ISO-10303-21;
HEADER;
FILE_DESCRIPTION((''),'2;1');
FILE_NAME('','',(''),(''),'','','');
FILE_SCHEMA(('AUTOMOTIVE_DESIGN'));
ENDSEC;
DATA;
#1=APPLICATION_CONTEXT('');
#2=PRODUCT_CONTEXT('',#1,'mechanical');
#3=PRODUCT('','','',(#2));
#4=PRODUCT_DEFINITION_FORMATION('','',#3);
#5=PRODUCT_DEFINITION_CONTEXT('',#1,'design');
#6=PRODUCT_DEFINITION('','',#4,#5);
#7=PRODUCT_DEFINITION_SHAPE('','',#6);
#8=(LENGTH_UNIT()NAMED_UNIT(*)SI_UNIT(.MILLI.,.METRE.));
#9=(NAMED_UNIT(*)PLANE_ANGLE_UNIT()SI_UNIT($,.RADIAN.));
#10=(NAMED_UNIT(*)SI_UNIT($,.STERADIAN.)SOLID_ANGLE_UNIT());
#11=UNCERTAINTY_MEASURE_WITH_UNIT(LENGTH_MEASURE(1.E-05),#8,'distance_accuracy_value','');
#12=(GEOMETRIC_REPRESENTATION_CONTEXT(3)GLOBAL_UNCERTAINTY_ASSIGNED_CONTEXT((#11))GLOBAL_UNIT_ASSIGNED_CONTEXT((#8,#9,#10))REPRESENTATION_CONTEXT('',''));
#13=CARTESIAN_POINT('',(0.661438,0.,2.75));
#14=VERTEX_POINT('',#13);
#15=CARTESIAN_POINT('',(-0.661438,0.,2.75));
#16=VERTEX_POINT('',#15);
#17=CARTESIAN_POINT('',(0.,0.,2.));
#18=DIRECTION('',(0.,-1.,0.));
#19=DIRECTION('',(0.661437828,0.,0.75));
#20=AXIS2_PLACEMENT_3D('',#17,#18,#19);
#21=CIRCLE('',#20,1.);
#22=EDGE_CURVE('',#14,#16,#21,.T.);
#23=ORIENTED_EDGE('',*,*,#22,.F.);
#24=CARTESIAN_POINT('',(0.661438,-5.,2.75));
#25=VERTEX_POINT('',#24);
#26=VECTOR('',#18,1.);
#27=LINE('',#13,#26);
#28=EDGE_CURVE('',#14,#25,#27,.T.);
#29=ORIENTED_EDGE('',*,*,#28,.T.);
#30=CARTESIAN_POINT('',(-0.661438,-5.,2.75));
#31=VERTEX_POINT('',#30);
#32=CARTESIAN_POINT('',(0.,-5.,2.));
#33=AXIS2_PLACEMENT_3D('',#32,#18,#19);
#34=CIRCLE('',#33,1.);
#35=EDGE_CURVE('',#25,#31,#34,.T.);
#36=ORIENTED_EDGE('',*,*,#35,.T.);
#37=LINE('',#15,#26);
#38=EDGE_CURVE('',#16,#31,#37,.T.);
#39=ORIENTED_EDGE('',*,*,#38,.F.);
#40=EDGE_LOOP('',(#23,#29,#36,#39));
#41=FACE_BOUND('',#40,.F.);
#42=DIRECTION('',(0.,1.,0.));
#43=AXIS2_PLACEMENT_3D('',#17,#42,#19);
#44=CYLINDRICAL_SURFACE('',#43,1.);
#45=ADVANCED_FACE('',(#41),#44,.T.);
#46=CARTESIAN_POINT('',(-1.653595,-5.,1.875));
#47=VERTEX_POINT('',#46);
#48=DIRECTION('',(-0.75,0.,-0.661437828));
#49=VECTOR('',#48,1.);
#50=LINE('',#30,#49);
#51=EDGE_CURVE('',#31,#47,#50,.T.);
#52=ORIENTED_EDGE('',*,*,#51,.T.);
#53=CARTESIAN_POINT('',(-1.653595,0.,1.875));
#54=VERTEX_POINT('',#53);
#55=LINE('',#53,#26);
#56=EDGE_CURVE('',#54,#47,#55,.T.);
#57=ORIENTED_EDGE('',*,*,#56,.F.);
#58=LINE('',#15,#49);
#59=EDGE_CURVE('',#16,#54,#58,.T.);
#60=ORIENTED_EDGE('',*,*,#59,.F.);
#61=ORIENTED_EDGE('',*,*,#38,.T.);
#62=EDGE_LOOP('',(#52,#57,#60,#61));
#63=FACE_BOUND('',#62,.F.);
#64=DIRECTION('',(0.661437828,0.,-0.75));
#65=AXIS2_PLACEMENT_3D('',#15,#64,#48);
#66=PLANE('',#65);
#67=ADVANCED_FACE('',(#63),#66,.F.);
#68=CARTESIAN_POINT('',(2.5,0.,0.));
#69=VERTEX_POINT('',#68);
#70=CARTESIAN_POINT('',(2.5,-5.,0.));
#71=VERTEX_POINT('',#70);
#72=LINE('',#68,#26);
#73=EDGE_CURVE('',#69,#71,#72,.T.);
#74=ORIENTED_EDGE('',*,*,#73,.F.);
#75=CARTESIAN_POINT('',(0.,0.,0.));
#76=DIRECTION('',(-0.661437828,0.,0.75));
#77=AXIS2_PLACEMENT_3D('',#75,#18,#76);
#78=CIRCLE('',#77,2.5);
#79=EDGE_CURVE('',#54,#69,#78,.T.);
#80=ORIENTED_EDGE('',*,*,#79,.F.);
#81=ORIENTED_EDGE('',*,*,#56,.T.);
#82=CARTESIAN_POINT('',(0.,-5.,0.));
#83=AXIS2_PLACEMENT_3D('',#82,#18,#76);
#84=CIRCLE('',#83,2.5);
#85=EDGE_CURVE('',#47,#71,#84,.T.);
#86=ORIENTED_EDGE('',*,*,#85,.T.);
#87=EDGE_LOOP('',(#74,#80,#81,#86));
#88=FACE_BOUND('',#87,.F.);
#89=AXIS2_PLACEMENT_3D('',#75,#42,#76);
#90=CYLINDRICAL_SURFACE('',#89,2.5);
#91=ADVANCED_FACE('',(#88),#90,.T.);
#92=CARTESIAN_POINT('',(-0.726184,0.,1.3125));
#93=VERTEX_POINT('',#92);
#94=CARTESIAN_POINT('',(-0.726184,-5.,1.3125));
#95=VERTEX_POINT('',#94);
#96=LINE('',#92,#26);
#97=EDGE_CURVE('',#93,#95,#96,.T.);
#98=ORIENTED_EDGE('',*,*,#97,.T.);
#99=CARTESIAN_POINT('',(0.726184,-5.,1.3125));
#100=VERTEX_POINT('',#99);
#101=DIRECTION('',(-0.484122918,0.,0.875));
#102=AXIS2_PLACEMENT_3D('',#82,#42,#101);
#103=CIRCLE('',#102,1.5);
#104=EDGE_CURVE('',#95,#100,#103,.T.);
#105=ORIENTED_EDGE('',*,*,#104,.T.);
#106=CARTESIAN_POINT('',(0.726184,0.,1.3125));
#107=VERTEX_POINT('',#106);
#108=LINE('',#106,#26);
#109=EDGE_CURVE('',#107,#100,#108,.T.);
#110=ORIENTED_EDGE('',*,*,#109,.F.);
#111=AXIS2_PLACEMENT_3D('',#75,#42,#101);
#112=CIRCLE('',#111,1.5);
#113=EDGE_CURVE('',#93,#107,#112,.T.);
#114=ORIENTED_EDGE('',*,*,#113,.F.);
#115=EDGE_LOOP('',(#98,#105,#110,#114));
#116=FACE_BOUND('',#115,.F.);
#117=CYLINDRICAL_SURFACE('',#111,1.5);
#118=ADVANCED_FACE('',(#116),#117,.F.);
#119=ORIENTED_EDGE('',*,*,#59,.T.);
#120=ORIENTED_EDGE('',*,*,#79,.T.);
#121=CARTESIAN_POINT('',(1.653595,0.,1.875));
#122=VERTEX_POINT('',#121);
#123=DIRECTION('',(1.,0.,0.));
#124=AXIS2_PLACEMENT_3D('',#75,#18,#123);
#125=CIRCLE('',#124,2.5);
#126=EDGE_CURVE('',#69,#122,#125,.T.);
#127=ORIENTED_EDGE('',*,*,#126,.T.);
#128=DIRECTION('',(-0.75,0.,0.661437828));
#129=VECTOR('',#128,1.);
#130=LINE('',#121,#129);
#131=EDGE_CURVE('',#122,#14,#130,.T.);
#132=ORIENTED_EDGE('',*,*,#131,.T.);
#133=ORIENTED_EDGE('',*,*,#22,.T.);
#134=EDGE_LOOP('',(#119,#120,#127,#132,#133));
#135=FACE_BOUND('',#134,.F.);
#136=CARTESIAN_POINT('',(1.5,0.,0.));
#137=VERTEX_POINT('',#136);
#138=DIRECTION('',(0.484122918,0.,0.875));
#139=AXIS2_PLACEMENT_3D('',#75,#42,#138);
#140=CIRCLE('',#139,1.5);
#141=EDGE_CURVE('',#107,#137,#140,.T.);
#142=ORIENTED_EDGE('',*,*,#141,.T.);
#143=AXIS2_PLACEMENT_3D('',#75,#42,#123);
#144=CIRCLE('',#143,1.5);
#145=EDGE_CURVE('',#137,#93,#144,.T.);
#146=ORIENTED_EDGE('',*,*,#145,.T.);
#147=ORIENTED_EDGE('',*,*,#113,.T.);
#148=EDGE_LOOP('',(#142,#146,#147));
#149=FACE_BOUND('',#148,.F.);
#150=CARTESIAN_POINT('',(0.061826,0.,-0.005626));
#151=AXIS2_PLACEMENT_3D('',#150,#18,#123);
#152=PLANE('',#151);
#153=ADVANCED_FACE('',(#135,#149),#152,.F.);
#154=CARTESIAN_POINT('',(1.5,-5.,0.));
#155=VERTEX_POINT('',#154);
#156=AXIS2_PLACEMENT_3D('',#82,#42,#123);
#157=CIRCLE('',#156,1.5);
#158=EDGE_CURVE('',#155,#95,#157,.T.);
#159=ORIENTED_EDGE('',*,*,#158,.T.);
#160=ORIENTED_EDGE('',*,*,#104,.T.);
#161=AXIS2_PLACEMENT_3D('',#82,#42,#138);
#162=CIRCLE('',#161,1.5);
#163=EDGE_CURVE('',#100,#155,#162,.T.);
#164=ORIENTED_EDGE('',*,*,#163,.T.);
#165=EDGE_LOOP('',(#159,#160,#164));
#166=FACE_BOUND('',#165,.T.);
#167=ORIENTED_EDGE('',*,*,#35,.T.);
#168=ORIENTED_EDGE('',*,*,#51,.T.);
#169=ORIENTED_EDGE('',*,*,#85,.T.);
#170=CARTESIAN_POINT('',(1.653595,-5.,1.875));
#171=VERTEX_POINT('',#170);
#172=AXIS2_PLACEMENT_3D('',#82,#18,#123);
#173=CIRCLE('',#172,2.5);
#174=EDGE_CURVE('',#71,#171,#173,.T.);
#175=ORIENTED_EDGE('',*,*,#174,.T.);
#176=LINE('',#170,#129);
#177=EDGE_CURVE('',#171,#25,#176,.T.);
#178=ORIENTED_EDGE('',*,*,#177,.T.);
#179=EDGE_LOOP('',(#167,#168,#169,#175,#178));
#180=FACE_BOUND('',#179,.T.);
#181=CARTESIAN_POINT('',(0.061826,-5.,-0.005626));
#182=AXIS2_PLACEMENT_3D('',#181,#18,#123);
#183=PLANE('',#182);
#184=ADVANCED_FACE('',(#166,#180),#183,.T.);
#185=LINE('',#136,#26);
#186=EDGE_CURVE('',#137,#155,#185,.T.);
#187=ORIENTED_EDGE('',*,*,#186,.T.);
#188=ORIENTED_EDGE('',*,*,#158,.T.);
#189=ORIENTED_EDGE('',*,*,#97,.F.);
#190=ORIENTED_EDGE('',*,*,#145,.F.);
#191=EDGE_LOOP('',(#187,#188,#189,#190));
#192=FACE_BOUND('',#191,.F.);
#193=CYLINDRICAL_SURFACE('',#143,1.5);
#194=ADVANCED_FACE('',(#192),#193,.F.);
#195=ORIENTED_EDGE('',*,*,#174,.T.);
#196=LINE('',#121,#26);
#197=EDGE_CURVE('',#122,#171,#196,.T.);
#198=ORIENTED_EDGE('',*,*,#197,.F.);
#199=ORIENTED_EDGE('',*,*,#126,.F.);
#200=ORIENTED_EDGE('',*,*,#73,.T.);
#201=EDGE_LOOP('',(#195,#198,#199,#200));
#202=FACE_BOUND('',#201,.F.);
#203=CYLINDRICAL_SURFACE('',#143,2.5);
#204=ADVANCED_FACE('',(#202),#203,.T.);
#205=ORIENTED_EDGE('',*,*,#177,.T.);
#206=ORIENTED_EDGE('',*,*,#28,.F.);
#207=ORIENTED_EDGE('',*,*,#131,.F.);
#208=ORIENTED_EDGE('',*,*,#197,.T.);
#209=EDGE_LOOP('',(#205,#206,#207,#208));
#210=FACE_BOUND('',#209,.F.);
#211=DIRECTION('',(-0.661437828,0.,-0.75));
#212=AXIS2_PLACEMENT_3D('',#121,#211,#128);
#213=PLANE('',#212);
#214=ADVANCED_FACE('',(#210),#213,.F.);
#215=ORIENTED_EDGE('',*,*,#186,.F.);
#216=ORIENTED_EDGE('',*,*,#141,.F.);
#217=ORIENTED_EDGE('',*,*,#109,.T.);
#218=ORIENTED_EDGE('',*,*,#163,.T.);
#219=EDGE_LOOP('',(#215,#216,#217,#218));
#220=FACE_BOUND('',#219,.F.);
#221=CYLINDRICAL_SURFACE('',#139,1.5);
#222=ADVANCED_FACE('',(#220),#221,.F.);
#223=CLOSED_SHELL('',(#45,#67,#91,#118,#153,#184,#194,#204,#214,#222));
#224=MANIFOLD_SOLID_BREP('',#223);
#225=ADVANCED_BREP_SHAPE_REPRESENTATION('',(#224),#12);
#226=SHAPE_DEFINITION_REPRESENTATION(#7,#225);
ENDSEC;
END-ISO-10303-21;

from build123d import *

# Parameters (mm, degrees)
F1_DEPTH = 5


with BuildPart() as f1:
    # F0 (on Front) → F1 (new body)
    with BuildSketch(Plane.XZ):
        with BuildLine():
            ThreePointArc((-1.6535945694, 1.875), (-1.0285945694, -2.2785945694), (2.5, 0))
            ThreePointArc((2.5, 0), (2.2785945694, 1.0285945694), (1.6535945694, 1.875))
            ThreePointArc((1.6535945694, 1.875), (1.3200078312, 2.1231060562), (0.9499177596, 2.3125))
            ThreePointArc((0.9499177596, 2.3125), (0.9874000607, 2.1582438631), (1, 2))
            ThreePointArc((1, 2), (0.92902755, 1.6299894443), (0.7261843774, 1.3125))
            ThreePointArc((0.7261843774, 1.3125), (1.2921448383, 0.7618147524), (1.5, 0))
            ThreePointArc((1.5, 0), (-0.7618147524, -1.2921448383), (-0.7261843774, 1.3125))
            ThreePointArc((-0.7261843774, 1.3125), (-0.975873759, 1.7816644633), (-0.9499177596, 2.3125))
            ThreePointArc((-0.9499177596, 2.3125), (-1.3200078312, 2.1231060562), (-1.6535945694, 1.875))
        make_face()
        with BuildLine():
            ThreePointArc((1, 2), (0.9874000607, 2.1582438631), (0.9499177596, 2.3125))
            ThreePointArc((0.9499177596, 2.3125), (0, 2.5), (-0.9499177596, 2.3125))
            ThreePointArc((-0.9499177596, 2.3125), (-0.975873759, 1.7816644633), (-0.7261843774, 1.3125))
            ThreePointArc((-0.7261843774, 1.3125), (0, 1.5), (0.7261843774, 1.3125))
            ThreePointArc((0.7261843774, 1.3125), (0.92902755, 1.6299894443), (1, 2))
        make_face()
        with BuildLine():
            ThreePointArc((-0.9499177596, 2.3125), (0, 2.5), (0.9499177596, 2.3125))
            ThreePointArc((0.9499177596, 2.3125), (0.8348462551, 2.5504831789), (0.6614378278, 2.75))
            ThreePointArc((0.6614378278, 2.75), (0, 3), (-0.6614378278, 2.75))
            ThreePointArc((-0.6614378278, 2.75), (-0.8348462551, 2.5504831789), (-0.9499177596, 2.3125))
        make_face()
        with BuildLine():
            ThreePointArc((0.9499177596, 2.3125), (1.3200078312, 2.1231060562), (1.6535945694, 1.875))
            Line((1.6535945694, 1.875), (0.6614378278, 2.75))
            ThreePointArc((0.6614378278, 2.75), (0.8348462551, 2.5504831789), (0.9499177596, 2.3125))
        make_face()
        with BuildLine():
            Line((-0.6614378278, 2.75), (-1.6535945694, 1.875))
            ThreePointArc((-1.6535945694, 1.875), (-1.3200078312, 2.1231060562), (-0.9499177596, 2.3125))
            ThreePointArc((-0.9499177596, 2.3125), (-0.8348462551, 2.5504831789), (-0.6614378278, 2.75))
        make_face()
    extrude(amount=F1_DEPTH)


solid = f1.part
